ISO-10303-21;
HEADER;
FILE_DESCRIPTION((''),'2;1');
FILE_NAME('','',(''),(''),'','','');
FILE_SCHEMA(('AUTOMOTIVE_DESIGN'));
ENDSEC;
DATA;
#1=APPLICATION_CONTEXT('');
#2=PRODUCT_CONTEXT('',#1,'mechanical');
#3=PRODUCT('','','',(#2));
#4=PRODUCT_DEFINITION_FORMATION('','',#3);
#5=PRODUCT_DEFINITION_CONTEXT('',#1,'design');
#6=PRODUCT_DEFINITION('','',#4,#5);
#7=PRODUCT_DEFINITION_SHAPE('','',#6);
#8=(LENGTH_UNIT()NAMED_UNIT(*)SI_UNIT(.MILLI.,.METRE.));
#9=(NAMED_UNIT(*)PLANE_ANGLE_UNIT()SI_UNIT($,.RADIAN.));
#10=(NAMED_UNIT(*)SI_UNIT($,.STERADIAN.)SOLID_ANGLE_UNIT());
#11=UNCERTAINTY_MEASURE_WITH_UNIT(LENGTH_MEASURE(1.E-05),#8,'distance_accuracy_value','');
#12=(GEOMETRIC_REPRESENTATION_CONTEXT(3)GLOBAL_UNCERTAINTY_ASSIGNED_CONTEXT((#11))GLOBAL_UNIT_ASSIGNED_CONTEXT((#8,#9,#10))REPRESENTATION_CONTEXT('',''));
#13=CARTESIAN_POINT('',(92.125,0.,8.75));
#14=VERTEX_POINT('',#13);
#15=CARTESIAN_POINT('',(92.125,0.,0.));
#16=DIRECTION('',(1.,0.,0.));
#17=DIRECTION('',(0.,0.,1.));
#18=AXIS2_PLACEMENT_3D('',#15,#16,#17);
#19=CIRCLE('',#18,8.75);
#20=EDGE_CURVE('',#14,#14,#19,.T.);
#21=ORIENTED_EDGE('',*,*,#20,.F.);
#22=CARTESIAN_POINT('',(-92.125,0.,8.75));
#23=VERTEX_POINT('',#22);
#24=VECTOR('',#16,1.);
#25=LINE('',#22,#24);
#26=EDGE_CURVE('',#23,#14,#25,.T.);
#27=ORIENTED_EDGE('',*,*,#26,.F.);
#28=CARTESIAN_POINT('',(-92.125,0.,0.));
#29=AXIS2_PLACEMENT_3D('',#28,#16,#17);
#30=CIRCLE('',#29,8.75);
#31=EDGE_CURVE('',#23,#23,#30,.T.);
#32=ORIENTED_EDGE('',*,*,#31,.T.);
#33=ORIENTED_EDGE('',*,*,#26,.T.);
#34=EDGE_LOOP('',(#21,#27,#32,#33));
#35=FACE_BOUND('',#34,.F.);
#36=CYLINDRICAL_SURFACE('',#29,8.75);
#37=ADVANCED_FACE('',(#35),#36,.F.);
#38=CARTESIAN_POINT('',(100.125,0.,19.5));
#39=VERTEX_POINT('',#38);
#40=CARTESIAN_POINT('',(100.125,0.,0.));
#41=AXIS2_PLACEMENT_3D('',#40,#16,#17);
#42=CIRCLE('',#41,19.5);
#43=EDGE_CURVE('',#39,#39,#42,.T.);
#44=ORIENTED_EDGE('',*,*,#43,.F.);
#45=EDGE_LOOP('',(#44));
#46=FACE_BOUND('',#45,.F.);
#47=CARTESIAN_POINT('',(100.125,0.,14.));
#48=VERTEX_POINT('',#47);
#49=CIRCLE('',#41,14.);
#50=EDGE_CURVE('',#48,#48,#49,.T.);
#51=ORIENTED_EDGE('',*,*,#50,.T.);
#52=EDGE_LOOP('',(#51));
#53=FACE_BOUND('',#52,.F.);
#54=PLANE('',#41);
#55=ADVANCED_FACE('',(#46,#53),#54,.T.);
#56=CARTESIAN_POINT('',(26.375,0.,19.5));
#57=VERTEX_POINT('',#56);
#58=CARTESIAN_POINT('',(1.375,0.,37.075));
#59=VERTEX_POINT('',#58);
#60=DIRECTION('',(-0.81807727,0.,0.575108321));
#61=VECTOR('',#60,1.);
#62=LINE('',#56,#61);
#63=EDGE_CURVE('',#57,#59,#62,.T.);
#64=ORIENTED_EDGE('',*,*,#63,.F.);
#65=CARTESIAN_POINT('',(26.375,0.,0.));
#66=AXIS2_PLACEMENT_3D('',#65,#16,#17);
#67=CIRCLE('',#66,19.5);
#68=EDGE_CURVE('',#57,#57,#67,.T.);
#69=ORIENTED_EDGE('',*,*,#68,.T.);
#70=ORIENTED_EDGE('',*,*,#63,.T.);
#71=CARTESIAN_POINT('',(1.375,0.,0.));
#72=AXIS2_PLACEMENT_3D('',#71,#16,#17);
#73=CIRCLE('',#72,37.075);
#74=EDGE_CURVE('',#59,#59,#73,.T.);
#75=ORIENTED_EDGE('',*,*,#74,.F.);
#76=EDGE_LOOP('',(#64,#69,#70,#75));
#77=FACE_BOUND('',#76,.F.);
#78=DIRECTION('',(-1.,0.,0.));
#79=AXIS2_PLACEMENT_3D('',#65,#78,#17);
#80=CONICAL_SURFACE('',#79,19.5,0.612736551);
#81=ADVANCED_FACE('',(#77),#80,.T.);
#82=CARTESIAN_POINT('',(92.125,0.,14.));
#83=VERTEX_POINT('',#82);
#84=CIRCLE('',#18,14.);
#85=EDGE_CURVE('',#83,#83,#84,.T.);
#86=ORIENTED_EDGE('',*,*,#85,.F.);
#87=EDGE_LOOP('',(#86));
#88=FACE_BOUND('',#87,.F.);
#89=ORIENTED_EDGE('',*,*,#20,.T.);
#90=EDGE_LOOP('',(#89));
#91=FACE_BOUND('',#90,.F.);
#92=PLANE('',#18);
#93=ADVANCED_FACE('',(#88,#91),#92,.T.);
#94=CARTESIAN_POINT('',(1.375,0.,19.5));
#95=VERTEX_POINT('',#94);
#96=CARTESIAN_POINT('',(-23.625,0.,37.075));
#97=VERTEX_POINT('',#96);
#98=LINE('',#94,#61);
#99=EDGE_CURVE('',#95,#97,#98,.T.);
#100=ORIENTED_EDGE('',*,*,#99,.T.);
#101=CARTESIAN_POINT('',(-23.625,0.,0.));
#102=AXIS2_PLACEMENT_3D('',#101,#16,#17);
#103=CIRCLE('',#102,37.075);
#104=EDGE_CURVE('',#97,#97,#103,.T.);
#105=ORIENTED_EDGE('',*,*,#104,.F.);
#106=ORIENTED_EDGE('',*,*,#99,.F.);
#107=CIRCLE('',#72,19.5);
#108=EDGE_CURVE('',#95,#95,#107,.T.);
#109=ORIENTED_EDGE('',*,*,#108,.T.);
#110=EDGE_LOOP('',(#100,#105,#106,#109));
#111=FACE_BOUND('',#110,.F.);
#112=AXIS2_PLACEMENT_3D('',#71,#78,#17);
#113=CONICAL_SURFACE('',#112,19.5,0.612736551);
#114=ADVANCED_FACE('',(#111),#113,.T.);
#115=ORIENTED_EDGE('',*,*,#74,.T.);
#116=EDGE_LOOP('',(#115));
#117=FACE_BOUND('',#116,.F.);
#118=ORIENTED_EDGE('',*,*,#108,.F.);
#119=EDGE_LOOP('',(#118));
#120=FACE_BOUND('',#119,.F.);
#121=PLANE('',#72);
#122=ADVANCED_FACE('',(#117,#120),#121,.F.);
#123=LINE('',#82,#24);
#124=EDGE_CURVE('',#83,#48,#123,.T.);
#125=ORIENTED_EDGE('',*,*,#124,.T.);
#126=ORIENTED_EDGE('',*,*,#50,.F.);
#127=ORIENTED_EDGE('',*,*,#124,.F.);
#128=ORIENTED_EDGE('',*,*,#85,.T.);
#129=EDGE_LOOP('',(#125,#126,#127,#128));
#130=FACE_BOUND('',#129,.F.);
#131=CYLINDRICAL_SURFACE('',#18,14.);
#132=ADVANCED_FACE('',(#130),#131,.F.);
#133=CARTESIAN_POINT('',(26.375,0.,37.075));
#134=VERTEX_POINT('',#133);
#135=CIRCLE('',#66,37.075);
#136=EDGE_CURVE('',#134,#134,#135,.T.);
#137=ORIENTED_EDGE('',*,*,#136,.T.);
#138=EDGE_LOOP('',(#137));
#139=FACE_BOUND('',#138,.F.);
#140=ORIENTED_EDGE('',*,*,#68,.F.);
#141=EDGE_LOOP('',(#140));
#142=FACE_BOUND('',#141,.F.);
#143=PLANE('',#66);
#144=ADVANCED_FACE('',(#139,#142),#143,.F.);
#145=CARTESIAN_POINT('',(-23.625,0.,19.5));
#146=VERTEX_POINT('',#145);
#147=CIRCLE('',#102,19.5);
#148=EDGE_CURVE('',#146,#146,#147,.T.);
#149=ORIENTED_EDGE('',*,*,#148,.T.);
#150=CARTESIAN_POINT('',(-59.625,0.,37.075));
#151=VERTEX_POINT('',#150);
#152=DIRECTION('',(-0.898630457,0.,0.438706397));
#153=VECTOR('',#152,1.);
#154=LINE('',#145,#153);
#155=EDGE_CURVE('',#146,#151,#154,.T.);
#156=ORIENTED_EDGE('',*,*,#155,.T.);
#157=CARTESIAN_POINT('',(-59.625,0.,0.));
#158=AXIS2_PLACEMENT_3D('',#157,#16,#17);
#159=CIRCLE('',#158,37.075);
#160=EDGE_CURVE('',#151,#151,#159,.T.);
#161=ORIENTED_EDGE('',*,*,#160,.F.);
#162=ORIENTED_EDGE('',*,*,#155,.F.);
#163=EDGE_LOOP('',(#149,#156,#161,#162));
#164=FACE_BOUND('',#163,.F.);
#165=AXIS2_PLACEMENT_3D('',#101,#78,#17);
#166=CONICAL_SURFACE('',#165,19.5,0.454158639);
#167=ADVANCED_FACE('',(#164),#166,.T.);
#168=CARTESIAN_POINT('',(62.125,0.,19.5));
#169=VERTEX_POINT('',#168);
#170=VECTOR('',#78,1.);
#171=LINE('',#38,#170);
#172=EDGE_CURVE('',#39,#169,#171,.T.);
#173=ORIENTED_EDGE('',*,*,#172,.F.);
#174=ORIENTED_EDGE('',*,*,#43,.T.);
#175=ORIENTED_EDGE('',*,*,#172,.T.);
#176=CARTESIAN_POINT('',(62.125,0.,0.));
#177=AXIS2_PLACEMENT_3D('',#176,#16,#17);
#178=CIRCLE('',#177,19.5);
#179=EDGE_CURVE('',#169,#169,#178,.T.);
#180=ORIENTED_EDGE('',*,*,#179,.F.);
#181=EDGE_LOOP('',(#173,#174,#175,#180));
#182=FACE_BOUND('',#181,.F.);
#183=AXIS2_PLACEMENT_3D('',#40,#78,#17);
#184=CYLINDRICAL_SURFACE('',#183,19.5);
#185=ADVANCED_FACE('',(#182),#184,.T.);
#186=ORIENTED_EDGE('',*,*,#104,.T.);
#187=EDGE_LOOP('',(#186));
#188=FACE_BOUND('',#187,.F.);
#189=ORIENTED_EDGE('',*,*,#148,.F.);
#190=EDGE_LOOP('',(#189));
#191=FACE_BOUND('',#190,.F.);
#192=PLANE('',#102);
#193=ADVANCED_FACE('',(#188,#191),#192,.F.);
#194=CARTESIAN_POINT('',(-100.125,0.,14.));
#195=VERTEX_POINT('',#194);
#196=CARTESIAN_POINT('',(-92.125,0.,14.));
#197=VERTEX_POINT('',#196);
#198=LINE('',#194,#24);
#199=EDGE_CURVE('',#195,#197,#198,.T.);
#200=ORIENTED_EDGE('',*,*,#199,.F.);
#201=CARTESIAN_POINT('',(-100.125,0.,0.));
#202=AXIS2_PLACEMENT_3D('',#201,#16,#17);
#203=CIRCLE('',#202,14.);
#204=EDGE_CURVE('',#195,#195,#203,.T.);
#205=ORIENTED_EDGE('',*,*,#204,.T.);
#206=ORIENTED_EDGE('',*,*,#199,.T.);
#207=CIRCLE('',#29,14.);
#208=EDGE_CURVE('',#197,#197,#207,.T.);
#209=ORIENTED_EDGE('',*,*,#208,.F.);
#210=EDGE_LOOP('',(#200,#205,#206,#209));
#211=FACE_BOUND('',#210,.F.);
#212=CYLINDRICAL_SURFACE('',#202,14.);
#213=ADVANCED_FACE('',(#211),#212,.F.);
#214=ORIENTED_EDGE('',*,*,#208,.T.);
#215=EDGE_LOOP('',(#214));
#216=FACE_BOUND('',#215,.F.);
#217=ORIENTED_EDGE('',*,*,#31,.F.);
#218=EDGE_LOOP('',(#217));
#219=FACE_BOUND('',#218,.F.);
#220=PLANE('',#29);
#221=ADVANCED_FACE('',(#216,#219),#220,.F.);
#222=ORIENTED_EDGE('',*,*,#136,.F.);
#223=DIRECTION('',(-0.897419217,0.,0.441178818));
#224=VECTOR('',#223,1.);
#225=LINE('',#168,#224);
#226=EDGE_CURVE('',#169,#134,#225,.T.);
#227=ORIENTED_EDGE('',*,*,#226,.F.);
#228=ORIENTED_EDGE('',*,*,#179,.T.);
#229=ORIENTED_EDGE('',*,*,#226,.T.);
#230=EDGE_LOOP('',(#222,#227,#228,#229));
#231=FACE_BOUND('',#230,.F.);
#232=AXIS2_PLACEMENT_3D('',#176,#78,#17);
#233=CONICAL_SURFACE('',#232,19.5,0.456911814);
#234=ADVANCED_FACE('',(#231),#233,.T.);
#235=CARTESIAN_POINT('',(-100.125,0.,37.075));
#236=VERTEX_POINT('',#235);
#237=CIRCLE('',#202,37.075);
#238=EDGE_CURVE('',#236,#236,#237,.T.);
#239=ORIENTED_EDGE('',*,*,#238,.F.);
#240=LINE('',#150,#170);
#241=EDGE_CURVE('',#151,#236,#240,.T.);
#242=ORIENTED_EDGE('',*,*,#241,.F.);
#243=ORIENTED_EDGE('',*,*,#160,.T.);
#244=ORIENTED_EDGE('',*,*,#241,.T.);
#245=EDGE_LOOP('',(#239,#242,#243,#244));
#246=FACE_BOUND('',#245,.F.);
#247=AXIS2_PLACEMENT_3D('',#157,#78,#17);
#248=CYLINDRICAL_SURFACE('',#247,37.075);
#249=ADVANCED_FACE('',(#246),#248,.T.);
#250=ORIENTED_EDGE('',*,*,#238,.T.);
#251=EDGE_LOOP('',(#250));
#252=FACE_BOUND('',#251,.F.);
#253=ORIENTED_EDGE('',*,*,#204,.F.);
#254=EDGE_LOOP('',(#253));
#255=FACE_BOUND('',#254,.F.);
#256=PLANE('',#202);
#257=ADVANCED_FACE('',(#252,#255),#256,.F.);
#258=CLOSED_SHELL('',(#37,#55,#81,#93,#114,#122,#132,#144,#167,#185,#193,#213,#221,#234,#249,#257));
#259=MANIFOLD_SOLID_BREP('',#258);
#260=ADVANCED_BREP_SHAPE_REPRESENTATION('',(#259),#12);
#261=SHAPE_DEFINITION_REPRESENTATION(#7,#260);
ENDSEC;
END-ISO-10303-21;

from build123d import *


with BuildPart() as f1:
    # F0 (on Front) → F1 (revolve)
    with BuildSketch(Plane.XZ):
        Polygon((-100.125, 14), (-92.125, 14), (-92.125, 8.75), (92.125, 8.75), (92.125, 14), (100.125, 14), (100.125, 19.5), (62.125, 19.5), (26.375, 37.075), (26.375, 19.5), (1.375, 37.075), (1.375, 19.5), (-23.625, 37.075), (-23.625, 19.5), (-59.625, 37.075), (-100.125, 37.075), align=None)
    revolve(axis=Axis((0, 0, 0), (1, 0, 0)))


solid = f1.part
